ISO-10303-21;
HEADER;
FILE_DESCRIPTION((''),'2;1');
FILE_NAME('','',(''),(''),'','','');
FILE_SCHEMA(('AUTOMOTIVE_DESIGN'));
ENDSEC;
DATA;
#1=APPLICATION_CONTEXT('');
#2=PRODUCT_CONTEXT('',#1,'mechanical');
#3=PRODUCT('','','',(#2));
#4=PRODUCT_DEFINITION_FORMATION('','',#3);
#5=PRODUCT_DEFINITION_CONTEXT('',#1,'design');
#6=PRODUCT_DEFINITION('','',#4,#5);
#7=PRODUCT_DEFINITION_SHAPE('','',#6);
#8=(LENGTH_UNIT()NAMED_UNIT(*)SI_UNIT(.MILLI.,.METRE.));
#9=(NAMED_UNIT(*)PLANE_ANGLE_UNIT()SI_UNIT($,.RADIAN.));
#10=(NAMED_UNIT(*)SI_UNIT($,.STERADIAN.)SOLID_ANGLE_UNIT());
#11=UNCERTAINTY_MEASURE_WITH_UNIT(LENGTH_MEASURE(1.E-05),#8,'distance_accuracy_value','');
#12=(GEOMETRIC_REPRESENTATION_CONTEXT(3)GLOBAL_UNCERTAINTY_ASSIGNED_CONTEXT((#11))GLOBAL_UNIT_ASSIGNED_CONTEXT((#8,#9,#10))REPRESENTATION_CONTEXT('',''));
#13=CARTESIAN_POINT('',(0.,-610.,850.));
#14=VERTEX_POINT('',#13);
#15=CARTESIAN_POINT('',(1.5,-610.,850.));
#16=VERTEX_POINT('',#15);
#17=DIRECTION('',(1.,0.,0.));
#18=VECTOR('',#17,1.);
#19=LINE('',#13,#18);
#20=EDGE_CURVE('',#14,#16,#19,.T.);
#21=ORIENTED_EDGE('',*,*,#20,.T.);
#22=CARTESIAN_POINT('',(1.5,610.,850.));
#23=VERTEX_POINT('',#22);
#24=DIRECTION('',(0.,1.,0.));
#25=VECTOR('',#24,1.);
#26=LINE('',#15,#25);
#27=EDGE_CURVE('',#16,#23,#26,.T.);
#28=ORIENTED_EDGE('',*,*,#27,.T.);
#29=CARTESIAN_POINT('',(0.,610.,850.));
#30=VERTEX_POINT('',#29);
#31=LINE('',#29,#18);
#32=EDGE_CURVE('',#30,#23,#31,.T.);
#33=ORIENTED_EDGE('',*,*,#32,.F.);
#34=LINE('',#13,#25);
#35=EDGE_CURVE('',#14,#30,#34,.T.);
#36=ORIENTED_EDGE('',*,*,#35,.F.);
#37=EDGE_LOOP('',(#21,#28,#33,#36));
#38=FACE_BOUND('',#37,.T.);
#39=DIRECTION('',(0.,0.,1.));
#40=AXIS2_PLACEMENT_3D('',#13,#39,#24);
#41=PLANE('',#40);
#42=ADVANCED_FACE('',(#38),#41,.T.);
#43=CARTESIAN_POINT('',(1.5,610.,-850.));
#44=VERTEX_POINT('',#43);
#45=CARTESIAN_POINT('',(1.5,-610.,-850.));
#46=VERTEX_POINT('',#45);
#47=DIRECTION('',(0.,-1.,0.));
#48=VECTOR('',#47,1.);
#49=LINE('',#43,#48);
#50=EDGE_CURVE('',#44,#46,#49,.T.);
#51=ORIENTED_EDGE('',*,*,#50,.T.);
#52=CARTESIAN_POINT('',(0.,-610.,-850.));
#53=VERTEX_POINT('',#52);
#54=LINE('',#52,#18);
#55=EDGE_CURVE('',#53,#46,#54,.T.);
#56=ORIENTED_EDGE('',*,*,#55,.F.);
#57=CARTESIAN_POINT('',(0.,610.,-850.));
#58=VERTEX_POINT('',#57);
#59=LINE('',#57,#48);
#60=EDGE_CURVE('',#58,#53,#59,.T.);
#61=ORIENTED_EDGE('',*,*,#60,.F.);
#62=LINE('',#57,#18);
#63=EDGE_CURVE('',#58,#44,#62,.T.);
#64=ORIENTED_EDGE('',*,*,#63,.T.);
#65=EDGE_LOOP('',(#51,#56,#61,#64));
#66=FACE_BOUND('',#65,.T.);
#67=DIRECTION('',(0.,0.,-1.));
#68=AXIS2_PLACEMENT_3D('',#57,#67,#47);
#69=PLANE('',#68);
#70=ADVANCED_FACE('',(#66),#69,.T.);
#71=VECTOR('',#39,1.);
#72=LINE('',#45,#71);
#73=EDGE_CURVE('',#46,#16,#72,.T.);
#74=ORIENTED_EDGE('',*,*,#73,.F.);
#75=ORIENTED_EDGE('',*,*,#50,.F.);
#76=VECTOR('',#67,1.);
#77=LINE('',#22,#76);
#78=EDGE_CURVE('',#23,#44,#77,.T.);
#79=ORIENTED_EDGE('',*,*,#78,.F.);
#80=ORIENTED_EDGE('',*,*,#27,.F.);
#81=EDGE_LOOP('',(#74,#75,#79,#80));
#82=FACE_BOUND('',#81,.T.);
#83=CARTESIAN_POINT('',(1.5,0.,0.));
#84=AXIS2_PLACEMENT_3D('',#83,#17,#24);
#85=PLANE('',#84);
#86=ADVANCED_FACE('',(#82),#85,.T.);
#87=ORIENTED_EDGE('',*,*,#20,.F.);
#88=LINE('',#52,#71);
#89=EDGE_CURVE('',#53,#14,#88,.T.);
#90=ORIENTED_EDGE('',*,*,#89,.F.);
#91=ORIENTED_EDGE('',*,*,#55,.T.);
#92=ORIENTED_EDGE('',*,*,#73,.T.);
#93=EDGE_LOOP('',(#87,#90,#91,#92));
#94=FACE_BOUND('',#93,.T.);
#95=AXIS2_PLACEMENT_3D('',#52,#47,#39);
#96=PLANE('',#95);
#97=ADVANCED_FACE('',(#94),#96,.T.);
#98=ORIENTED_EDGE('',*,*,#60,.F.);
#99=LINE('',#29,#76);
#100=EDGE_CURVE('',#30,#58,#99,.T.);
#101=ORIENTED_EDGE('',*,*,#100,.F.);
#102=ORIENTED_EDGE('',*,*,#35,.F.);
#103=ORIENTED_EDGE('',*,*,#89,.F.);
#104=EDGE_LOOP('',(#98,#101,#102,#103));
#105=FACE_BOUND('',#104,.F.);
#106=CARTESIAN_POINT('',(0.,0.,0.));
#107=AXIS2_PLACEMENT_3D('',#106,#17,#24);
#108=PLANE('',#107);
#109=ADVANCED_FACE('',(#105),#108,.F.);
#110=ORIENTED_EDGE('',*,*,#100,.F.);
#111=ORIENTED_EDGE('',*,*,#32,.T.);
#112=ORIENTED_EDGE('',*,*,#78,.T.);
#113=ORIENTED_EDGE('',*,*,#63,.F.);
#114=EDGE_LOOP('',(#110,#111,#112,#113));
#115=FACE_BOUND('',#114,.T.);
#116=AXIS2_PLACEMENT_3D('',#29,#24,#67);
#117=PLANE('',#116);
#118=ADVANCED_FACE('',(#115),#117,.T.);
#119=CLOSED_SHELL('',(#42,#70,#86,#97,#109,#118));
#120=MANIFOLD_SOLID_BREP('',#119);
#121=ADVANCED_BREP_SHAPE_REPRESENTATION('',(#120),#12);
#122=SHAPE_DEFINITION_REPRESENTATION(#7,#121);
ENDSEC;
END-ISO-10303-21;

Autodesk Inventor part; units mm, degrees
ref_plane "YZ Plane" through (0, 0, 0) normal (1, 0, 0) x (0, 1, 0)
ref_plane "XZ Plane" through (0, 0, 0) normal (0, 1, 0) x (-1, 0, 0)
ref_plane "XY Plane" through (0, 0, 0) normal (0, 0, 1) x (1, 0, 0)
sketch "Sketch1" plane through (0, 0, 0) normal (1, 0, 0) x (0, 1, 0)
  line L0 (-610, 850) -> (610, 850)
  line L1 (610, 850) -> (610, -850)
  line L2 (610, -850) -> (-610, -850)
  line L3 (-610, -850) -> (-610, 850)
  line L4 (-610, 850) -> (610, -850) construction
  line L5 (610, 850) -> (-610, -850) construction
  point P0 (0, 0)
  dimension "d0" = 1220
  dimension "d1" = 1700
extrude "Extrusion1" add sketch "Sketch1" along normal blind 1.5
properties part number "PLANCHA_COMPLETA" material "Steel, Mild, Welded"
